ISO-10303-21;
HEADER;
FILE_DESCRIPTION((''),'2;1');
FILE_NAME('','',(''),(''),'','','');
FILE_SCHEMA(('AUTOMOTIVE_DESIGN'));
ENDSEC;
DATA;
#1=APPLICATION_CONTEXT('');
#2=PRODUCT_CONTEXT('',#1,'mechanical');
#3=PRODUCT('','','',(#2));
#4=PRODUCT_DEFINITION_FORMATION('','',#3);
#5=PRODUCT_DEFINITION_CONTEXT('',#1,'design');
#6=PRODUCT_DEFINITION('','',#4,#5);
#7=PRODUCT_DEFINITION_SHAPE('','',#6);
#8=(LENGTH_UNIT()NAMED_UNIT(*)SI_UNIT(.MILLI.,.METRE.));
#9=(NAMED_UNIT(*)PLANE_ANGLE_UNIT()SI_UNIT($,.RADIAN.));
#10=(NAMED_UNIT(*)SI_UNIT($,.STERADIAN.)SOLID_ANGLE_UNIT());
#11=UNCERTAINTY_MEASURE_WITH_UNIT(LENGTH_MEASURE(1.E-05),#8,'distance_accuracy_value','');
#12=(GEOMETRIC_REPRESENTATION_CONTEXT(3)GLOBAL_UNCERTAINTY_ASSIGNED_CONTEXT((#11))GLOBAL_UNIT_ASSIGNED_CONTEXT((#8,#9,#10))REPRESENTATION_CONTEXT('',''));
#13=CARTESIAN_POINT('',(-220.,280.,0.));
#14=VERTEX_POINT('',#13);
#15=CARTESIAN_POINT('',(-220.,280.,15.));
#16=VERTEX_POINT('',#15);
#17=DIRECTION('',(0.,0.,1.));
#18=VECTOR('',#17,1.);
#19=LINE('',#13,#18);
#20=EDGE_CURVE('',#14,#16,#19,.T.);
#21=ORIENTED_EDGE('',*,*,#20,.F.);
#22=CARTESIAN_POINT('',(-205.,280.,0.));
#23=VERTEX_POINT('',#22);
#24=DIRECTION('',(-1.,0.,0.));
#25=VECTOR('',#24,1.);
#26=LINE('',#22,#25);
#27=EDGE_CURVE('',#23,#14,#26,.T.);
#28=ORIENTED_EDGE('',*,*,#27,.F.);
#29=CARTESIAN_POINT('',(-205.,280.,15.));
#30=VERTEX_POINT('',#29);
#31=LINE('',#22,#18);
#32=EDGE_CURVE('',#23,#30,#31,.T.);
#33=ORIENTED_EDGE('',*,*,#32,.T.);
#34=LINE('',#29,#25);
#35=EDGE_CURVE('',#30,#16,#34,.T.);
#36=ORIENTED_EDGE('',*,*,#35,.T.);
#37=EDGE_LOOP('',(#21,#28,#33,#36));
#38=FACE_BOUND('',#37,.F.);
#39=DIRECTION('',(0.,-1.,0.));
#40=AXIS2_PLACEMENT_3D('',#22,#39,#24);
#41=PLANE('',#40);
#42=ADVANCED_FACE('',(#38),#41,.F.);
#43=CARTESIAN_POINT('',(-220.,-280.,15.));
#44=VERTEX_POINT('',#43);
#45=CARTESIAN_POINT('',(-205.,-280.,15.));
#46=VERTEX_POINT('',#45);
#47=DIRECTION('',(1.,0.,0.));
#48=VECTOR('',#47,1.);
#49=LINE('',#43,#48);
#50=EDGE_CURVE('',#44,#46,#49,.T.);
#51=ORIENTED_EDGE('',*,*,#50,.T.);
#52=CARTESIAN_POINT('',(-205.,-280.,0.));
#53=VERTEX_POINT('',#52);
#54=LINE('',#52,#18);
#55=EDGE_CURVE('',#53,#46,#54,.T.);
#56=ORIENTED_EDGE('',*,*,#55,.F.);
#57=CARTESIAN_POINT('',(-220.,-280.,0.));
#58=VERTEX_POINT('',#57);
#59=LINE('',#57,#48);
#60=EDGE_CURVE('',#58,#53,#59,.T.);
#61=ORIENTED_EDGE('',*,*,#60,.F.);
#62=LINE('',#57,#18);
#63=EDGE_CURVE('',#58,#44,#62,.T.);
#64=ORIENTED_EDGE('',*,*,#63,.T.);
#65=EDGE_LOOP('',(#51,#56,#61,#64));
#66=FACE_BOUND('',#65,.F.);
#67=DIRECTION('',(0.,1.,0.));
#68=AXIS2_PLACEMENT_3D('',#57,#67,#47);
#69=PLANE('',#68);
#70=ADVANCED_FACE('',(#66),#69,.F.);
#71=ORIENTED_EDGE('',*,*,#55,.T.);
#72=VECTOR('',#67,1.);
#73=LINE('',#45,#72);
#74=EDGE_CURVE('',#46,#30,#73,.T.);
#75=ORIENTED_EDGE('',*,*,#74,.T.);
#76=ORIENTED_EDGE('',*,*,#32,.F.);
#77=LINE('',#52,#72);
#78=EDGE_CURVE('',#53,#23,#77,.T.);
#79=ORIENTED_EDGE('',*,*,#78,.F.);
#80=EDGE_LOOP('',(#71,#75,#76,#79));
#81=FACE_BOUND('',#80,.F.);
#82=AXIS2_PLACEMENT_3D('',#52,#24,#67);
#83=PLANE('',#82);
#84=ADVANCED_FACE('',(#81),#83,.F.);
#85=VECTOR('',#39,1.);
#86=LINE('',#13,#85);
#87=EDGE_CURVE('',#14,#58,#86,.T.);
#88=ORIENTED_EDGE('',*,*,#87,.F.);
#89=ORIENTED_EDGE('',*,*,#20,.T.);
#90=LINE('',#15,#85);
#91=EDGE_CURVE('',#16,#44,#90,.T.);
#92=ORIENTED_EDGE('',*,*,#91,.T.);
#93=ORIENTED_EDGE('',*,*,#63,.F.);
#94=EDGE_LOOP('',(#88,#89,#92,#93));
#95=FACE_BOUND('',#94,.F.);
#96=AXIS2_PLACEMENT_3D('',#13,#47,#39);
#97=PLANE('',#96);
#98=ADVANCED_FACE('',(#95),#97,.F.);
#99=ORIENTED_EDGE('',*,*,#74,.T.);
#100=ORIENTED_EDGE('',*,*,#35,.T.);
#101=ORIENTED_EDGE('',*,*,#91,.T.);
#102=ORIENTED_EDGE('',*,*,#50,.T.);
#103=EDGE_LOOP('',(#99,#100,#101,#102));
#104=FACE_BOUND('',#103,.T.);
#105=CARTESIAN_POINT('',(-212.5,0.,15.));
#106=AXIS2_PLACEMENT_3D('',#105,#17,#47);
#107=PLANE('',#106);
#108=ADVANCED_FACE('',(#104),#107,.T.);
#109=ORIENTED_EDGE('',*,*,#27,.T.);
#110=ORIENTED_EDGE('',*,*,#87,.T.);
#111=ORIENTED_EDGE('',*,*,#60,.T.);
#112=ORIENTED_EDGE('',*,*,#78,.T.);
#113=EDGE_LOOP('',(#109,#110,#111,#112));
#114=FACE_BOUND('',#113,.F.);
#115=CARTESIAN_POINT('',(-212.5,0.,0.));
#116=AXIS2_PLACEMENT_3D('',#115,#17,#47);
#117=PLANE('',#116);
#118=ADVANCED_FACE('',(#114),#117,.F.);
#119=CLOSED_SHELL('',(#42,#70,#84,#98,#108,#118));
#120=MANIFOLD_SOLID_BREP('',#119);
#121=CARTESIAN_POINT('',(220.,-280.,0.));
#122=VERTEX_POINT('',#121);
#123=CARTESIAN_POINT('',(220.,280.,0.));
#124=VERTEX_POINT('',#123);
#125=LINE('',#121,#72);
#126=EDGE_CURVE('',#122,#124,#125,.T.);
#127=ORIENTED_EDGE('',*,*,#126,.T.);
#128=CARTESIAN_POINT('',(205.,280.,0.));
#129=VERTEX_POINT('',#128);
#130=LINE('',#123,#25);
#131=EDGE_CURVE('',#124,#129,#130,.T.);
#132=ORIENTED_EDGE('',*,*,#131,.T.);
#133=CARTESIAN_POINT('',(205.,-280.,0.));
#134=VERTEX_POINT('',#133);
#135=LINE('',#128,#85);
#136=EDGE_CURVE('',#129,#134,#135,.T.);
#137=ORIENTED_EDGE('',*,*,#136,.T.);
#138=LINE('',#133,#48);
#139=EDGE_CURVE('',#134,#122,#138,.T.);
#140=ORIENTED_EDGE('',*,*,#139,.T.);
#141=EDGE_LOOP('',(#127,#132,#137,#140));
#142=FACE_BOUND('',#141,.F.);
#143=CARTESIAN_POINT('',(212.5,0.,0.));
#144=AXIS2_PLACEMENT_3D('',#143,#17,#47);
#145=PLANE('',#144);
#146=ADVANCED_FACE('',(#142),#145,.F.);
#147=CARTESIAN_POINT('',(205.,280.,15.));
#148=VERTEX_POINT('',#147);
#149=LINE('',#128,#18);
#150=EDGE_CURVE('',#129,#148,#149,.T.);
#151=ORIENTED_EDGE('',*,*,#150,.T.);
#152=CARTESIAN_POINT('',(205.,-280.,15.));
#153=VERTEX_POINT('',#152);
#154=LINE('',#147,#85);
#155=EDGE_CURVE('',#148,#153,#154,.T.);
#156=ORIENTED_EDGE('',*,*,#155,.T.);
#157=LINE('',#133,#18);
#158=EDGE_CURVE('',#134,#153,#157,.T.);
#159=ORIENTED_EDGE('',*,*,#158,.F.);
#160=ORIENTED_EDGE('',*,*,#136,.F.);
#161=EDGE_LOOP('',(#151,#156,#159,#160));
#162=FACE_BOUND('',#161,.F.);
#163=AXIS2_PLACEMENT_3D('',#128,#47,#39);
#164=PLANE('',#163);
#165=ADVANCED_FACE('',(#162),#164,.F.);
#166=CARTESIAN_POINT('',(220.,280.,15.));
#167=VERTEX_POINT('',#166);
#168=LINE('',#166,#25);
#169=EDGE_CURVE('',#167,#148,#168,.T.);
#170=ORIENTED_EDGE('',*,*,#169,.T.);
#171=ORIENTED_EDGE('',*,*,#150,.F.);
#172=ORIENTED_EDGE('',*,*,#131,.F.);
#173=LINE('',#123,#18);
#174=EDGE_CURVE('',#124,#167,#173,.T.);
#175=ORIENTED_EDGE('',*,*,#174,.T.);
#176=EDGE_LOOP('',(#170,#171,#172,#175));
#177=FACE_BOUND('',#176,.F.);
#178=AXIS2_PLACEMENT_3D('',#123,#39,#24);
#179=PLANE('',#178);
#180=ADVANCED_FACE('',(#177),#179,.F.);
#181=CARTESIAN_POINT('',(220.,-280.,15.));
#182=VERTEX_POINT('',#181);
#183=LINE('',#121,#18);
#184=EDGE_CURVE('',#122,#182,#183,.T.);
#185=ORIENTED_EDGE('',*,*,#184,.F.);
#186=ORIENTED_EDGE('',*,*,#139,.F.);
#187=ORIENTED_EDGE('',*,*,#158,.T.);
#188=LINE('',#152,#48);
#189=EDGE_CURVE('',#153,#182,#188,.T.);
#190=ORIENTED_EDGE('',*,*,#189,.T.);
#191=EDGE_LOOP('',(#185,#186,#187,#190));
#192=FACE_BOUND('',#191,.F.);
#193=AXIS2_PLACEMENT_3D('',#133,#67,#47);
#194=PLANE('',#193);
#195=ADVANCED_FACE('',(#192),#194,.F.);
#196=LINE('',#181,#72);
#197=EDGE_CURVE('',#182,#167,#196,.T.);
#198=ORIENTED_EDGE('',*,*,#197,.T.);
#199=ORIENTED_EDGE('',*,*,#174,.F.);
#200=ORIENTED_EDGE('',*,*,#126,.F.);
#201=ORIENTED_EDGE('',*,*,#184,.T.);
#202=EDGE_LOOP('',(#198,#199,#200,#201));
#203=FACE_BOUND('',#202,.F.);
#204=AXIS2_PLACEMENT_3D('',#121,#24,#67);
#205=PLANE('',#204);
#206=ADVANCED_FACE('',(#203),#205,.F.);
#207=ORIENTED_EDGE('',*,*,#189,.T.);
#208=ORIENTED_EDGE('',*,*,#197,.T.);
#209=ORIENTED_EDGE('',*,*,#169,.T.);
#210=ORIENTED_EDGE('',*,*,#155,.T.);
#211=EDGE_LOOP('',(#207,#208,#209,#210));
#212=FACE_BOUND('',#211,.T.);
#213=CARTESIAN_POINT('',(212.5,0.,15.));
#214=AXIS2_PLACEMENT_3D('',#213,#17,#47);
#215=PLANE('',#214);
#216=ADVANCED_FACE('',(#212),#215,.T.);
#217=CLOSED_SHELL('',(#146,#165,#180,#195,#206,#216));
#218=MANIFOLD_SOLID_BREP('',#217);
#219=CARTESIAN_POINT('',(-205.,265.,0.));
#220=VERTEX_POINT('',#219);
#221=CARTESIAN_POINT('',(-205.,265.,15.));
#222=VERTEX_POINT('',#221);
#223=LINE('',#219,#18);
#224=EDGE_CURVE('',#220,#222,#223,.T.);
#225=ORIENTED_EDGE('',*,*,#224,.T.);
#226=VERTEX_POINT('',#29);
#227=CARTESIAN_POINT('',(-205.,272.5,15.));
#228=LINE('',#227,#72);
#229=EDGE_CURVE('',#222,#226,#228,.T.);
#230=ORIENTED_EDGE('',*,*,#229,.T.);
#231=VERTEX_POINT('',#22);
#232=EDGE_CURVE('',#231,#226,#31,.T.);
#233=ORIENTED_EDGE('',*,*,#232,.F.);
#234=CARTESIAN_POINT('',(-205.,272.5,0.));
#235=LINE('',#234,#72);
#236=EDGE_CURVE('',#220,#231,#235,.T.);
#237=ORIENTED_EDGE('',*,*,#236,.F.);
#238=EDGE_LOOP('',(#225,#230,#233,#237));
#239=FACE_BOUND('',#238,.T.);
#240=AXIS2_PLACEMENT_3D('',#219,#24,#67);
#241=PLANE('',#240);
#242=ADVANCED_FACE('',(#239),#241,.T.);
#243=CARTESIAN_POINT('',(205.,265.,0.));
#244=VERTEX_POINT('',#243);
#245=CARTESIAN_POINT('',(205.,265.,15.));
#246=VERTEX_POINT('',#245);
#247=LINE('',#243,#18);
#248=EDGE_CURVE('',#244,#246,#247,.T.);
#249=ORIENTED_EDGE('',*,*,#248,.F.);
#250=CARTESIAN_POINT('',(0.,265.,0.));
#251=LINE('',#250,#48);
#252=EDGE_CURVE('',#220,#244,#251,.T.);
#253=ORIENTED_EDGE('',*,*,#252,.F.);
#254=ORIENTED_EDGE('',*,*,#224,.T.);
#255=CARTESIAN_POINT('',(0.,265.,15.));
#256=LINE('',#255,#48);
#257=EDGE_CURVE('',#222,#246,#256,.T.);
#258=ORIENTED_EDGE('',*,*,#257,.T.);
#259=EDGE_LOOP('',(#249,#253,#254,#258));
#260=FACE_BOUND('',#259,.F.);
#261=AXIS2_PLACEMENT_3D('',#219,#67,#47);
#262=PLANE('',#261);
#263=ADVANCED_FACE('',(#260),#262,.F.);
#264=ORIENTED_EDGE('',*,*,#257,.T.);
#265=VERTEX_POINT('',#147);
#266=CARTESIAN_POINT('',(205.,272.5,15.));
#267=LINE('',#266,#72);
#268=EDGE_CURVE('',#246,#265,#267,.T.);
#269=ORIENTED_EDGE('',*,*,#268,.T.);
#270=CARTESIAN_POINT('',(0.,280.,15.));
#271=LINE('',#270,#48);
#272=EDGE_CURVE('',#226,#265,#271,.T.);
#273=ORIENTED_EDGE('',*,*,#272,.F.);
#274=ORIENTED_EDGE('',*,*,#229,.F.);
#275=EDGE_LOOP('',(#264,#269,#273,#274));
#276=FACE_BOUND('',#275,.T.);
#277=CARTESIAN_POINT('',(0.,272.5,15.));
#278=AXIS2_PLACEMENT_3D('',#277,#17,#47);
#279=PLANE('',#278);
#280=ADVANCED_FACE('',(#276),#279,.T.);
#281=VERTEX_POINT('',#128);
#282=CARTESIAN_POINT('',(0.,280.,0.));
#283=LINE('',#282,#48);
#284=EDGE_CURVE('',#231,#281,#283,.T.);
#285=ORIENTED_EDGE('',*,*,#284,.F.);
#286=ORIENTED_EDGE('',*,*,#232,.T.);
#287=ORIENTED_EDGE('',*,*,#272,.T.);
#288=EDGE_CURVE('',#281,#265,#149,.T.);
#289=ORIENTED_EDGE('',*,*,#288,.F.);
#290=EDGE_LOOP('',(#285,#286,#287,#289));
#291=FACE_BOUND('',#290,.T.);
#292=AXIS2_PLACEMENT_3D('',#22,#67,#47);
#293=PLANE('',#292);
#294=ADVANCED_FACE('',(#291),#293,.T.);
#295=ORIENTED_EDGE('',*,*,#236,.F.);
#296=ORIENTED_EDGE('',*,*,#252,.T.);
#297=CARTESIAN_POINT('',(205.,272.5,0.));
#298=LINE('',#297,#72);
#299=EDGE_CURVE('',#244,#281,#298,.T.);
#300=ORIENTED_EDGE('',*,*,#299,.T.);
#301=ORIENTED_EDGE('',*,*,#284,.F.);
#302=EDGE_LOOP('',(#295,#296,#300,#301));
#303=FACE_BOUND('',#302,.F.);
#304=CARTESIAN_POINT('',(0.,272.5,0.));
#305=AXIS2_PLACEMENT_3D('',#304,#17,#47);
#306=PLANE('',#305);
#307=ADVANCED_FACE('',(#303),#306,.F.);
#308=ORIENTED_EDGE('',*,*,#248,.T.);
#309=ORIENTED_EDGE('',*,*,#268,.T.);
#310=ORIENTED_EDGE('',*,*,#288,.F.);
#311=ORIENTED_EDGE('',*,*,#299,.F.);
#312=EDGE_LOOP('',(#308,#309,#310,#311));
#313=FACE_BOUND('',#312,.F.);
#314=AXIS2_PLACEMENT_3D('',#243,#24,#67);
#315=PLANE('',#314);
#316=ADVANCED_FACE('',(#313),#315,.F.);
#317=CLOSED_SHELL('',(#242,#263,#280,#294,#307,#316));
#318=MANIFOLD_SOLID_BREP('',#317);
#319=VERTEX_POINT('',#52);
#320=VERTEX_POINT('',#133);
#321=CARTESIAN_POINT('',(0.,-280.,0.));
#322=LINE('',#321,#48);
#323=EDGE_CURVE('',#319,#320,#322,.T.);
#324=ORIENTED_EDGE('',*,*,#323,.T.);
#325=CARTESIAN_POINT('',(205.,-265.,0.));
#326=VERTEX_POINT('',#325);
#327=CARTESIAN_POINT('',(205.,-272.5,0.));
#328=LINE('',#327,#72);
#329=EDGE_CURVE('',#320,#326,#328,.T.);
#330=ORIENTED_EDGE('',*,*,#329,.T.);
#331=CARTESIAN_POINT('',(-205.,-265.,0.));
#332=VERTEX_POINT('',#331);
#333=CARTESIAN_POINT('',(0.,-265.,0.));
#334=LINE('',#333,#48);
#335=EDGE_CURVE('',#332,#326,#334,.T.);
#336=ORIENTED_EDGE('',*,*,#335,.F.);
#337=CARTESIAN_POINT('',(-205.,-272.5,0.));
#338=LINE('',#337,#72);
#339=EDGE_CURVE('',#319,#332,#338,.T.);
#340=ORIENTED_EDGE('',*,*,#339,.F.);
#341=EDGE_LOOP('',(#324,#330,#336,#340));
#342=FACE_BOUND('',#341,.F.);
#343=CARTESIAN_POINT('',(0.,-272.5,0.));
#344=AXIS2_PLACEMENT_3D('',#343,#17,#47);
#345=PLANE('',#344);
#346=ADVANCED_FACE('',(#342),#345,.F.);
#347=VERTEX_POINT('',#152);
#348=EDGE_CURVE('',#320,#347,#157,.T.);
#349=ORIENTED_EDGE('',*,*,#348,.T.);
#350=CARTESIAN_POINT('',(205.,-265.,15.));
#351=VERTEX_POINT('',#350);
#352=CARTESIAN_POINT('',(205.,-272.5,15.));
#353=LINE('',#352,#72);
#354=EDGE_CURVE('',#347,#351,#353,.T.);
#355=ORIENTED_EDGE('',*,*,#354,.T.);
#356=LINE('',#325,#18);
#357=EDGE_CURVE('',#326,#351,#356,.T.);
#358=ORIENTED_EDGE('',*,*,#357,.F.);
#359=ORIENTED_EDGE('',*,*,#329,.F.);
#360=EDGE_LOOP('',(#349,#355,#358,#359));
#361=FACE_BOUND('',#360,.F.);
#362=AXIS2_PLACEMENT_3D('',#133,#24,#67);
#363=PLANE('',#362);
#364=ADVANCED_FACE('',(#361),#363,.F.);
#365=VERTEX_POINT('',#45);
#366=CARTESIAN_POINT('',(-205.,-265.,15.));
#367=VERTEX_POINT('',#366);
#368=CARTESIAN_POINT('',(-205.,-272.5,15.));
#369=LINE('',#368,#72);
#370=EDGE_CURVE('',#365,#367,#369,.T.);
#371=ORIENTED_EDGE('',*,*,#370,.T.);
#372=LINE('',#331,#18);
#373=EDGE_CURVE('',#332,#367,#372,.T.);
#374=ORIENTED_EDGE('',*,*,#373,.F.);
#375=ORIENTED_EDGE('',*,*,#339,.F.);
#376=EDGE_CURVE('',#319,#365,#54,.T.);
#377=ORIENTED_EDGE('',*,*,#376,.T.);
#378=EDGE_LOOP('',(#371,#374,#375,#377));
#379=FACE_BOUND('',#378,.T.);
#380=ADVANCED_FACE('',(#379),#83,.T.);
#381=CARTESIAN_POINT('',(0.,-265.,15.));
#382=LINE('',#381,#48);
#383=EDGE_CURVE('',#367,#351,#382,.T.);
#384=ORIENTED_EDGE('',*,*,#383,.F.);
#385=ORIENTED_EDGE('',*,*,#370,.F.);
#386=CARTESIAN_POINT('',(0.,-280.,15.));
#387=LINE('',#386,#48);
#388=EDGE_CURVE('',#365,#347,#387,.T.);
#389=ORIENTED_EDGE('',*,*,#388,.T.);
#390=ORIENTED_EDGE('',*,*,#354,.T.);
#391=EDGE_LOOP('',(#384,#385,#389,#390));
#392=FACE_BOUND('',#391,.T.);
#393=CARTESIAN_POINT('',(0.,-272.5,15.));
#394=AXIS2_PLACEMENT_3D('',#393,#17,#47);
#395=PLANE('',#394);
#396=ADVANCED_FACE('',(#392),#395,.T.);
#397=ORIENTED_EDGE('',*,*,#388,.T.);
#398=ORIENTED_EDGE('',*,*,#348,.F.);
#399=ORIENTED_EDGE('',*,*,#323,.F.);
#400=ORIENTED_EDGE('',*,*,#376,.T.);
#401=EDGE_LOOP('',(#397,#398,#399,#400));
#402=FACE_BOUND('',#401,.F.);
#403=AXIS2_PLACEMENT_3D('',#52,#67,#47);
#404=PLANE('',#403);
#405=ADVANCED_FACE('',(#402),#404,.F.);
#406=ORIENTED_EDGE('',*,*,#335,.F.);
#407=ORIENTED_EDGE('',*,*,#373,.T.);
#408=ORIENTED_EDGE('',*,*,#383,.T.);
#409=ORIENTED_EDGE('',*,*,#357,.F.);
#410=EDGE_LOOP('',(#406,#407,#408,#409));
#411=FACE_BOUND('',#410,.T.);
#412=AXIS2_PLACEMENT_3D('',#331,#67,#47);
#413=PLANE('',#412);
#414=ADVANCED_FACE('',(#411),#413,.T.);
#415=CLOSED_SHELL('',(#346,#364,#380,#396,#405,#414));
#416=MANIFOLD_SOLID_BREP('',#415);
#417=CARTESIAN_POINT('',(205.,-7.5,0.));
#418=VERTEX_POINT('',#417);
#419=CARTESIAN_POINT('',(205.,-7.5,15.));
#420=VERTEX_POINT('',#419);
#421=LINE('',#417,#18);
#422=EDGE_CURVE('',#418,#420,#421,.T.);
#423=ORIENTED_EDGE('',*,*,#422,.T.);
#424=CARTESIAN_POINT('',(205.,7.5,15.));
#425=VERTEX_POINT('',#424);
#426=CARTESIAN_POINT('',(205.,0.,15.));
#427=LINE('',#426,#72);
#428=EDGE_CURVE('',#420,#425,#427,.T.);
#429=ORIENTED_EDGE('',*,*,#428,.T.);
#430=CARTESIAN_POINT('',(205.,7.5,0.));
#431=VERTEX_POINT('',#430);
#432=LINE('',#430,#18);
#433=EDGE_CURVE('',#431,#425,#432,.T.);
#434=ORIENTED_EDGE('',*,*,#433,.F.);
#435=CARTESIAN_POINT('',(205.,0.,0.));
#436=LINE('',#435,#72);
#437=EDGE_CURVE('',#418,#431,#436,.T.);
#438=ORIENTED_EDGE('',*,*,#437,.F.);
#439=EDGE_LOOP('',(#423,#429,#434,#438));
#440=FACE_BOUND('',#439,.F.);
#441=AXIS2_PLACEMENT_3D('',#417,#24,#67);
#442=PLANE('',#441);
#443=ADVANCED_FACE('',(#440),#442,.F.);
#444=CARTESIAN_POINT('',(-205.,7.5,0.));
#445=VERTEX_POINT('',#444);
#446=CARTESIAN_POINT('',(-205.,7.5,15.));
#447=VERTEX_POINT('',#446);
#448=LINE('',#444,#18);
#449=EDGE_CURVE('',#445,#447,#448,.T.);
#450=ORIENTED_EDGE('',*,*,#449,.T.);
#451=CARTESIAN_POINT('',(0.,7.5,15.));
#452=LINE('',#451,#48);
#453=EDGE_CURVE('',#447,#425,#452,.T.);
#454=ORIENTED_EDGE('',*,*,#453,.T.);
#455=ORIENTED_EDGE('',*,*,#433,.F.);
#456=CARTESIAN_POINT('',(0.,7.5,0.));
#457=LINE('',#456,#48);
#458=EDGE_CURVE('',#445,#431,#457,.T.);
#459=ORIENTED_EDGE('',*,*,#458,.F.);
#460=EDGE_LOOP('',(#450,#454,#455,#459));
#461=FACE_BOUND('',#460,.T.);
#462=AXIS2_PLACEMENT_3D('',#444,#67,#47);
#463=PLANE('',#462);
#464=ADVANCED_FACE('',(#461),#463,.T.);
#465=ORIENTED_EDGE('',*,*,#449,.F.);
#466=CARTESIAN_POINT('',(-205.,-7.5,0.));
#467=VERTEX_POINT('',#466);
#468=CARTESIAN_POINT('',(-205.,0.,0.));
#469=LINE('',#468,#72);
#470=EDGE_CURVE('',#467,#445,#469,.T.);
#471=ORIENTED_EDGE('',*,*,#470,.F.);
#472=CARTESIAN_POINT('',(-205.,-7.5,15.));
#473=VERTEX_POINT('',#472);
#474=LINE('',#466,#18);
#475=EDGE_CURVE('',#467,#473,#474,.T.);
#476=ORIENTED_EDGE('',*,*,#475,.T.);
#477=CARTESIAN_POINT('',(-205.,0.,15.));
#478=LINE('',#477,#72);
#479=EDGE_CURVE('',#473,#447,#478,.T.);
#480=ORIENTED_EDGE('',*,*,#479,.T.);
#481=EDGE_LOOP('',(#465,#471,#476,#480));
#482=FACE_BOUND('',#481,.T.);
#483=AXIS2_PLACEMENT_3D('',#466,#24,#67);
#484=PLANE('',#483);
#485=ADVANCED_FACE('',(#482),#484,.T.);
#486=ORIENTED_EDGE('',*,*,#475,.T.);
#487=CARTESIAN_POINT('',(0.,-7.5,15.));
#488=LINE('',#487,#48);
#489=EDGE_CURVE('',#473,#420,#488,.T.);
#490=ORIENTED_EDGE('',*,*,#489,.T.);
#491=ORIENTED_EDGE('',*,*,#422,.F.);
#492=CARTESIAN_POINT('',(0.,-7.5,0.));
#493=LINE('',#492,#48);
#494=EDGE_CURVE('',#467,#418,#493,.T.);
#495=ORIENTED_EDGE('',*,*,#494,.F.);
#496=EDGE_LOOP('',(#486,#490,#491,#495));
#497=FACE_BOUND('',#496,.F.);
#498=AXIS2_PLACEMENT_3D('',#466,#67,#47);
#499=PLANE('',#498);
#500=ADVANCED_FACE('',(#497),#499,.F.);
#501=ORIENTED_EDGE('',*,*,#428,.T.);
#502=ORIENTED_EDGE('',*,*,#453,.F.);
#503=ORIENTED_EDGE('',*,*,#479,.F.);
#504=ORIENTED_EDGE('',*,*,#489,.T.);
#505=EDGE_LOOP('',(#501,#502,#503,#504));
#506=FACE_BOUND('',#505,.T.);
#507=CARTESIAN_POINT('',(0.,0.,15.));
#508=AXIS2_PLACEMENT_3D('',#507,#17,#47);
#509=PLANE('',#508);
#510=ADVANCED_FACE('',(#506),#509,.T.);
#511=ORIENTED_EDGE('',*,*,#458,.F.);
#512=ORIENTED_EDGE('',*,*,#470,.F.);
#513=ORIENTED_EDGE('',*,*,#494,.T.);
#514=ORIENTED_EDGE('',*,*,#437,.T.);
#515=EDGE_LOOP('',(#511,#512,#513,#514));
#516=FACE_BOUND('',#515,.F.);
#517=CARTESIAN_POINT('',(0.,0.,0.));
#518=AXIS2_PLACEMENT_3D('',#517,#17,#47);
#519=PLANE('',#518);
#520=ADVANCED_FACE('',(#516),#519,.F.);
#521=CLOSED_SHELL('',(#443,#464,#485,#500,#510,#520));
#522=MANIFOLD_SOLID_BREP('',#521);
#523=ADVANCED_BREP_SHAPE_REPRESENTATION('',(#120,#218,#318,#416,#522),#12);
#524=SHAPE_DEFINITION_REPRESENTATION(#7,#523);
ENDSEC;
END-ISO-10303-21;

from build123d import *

# Parameters (mm, degrees)
F1_DEPTH = 15
F0_W     = 410
F0_H     = 15
F2_DEPTH = 15


with BuildPart() as f1:
    # F0 (on Top) → F1 (new body)
    with BuildSketch(Plane.XY):
        Polygon((-205, 265), (-205, 280), (-220, 280), (-220, -280), (-205, -280), (-205, -265), (-205, -7.5), (-205, 7.5), align=None)
        Polygon((220, -280), (220, 280), (205, 280), (205, 265), (205, 7.5), (205, -7.5), (205, -265), (205, -280), align=None)
    extrude(amount=F1_DEPTH)


with BuildPart() as f2:
    # F0 (on Top) → F2 (new body)
    with BuildSketch(Plane.XY):
        with Locations((0, 272.5)):
            Rectangle(F0_W, F0_H)
        Rectangle(F0_W, F0_H)
        with Locations((0, -272.5)):
            Rectangle(F0_W, F0_H)
    extrude(amount=F2_DEPTH)


solid = Compound([f1.part, f2.part])
